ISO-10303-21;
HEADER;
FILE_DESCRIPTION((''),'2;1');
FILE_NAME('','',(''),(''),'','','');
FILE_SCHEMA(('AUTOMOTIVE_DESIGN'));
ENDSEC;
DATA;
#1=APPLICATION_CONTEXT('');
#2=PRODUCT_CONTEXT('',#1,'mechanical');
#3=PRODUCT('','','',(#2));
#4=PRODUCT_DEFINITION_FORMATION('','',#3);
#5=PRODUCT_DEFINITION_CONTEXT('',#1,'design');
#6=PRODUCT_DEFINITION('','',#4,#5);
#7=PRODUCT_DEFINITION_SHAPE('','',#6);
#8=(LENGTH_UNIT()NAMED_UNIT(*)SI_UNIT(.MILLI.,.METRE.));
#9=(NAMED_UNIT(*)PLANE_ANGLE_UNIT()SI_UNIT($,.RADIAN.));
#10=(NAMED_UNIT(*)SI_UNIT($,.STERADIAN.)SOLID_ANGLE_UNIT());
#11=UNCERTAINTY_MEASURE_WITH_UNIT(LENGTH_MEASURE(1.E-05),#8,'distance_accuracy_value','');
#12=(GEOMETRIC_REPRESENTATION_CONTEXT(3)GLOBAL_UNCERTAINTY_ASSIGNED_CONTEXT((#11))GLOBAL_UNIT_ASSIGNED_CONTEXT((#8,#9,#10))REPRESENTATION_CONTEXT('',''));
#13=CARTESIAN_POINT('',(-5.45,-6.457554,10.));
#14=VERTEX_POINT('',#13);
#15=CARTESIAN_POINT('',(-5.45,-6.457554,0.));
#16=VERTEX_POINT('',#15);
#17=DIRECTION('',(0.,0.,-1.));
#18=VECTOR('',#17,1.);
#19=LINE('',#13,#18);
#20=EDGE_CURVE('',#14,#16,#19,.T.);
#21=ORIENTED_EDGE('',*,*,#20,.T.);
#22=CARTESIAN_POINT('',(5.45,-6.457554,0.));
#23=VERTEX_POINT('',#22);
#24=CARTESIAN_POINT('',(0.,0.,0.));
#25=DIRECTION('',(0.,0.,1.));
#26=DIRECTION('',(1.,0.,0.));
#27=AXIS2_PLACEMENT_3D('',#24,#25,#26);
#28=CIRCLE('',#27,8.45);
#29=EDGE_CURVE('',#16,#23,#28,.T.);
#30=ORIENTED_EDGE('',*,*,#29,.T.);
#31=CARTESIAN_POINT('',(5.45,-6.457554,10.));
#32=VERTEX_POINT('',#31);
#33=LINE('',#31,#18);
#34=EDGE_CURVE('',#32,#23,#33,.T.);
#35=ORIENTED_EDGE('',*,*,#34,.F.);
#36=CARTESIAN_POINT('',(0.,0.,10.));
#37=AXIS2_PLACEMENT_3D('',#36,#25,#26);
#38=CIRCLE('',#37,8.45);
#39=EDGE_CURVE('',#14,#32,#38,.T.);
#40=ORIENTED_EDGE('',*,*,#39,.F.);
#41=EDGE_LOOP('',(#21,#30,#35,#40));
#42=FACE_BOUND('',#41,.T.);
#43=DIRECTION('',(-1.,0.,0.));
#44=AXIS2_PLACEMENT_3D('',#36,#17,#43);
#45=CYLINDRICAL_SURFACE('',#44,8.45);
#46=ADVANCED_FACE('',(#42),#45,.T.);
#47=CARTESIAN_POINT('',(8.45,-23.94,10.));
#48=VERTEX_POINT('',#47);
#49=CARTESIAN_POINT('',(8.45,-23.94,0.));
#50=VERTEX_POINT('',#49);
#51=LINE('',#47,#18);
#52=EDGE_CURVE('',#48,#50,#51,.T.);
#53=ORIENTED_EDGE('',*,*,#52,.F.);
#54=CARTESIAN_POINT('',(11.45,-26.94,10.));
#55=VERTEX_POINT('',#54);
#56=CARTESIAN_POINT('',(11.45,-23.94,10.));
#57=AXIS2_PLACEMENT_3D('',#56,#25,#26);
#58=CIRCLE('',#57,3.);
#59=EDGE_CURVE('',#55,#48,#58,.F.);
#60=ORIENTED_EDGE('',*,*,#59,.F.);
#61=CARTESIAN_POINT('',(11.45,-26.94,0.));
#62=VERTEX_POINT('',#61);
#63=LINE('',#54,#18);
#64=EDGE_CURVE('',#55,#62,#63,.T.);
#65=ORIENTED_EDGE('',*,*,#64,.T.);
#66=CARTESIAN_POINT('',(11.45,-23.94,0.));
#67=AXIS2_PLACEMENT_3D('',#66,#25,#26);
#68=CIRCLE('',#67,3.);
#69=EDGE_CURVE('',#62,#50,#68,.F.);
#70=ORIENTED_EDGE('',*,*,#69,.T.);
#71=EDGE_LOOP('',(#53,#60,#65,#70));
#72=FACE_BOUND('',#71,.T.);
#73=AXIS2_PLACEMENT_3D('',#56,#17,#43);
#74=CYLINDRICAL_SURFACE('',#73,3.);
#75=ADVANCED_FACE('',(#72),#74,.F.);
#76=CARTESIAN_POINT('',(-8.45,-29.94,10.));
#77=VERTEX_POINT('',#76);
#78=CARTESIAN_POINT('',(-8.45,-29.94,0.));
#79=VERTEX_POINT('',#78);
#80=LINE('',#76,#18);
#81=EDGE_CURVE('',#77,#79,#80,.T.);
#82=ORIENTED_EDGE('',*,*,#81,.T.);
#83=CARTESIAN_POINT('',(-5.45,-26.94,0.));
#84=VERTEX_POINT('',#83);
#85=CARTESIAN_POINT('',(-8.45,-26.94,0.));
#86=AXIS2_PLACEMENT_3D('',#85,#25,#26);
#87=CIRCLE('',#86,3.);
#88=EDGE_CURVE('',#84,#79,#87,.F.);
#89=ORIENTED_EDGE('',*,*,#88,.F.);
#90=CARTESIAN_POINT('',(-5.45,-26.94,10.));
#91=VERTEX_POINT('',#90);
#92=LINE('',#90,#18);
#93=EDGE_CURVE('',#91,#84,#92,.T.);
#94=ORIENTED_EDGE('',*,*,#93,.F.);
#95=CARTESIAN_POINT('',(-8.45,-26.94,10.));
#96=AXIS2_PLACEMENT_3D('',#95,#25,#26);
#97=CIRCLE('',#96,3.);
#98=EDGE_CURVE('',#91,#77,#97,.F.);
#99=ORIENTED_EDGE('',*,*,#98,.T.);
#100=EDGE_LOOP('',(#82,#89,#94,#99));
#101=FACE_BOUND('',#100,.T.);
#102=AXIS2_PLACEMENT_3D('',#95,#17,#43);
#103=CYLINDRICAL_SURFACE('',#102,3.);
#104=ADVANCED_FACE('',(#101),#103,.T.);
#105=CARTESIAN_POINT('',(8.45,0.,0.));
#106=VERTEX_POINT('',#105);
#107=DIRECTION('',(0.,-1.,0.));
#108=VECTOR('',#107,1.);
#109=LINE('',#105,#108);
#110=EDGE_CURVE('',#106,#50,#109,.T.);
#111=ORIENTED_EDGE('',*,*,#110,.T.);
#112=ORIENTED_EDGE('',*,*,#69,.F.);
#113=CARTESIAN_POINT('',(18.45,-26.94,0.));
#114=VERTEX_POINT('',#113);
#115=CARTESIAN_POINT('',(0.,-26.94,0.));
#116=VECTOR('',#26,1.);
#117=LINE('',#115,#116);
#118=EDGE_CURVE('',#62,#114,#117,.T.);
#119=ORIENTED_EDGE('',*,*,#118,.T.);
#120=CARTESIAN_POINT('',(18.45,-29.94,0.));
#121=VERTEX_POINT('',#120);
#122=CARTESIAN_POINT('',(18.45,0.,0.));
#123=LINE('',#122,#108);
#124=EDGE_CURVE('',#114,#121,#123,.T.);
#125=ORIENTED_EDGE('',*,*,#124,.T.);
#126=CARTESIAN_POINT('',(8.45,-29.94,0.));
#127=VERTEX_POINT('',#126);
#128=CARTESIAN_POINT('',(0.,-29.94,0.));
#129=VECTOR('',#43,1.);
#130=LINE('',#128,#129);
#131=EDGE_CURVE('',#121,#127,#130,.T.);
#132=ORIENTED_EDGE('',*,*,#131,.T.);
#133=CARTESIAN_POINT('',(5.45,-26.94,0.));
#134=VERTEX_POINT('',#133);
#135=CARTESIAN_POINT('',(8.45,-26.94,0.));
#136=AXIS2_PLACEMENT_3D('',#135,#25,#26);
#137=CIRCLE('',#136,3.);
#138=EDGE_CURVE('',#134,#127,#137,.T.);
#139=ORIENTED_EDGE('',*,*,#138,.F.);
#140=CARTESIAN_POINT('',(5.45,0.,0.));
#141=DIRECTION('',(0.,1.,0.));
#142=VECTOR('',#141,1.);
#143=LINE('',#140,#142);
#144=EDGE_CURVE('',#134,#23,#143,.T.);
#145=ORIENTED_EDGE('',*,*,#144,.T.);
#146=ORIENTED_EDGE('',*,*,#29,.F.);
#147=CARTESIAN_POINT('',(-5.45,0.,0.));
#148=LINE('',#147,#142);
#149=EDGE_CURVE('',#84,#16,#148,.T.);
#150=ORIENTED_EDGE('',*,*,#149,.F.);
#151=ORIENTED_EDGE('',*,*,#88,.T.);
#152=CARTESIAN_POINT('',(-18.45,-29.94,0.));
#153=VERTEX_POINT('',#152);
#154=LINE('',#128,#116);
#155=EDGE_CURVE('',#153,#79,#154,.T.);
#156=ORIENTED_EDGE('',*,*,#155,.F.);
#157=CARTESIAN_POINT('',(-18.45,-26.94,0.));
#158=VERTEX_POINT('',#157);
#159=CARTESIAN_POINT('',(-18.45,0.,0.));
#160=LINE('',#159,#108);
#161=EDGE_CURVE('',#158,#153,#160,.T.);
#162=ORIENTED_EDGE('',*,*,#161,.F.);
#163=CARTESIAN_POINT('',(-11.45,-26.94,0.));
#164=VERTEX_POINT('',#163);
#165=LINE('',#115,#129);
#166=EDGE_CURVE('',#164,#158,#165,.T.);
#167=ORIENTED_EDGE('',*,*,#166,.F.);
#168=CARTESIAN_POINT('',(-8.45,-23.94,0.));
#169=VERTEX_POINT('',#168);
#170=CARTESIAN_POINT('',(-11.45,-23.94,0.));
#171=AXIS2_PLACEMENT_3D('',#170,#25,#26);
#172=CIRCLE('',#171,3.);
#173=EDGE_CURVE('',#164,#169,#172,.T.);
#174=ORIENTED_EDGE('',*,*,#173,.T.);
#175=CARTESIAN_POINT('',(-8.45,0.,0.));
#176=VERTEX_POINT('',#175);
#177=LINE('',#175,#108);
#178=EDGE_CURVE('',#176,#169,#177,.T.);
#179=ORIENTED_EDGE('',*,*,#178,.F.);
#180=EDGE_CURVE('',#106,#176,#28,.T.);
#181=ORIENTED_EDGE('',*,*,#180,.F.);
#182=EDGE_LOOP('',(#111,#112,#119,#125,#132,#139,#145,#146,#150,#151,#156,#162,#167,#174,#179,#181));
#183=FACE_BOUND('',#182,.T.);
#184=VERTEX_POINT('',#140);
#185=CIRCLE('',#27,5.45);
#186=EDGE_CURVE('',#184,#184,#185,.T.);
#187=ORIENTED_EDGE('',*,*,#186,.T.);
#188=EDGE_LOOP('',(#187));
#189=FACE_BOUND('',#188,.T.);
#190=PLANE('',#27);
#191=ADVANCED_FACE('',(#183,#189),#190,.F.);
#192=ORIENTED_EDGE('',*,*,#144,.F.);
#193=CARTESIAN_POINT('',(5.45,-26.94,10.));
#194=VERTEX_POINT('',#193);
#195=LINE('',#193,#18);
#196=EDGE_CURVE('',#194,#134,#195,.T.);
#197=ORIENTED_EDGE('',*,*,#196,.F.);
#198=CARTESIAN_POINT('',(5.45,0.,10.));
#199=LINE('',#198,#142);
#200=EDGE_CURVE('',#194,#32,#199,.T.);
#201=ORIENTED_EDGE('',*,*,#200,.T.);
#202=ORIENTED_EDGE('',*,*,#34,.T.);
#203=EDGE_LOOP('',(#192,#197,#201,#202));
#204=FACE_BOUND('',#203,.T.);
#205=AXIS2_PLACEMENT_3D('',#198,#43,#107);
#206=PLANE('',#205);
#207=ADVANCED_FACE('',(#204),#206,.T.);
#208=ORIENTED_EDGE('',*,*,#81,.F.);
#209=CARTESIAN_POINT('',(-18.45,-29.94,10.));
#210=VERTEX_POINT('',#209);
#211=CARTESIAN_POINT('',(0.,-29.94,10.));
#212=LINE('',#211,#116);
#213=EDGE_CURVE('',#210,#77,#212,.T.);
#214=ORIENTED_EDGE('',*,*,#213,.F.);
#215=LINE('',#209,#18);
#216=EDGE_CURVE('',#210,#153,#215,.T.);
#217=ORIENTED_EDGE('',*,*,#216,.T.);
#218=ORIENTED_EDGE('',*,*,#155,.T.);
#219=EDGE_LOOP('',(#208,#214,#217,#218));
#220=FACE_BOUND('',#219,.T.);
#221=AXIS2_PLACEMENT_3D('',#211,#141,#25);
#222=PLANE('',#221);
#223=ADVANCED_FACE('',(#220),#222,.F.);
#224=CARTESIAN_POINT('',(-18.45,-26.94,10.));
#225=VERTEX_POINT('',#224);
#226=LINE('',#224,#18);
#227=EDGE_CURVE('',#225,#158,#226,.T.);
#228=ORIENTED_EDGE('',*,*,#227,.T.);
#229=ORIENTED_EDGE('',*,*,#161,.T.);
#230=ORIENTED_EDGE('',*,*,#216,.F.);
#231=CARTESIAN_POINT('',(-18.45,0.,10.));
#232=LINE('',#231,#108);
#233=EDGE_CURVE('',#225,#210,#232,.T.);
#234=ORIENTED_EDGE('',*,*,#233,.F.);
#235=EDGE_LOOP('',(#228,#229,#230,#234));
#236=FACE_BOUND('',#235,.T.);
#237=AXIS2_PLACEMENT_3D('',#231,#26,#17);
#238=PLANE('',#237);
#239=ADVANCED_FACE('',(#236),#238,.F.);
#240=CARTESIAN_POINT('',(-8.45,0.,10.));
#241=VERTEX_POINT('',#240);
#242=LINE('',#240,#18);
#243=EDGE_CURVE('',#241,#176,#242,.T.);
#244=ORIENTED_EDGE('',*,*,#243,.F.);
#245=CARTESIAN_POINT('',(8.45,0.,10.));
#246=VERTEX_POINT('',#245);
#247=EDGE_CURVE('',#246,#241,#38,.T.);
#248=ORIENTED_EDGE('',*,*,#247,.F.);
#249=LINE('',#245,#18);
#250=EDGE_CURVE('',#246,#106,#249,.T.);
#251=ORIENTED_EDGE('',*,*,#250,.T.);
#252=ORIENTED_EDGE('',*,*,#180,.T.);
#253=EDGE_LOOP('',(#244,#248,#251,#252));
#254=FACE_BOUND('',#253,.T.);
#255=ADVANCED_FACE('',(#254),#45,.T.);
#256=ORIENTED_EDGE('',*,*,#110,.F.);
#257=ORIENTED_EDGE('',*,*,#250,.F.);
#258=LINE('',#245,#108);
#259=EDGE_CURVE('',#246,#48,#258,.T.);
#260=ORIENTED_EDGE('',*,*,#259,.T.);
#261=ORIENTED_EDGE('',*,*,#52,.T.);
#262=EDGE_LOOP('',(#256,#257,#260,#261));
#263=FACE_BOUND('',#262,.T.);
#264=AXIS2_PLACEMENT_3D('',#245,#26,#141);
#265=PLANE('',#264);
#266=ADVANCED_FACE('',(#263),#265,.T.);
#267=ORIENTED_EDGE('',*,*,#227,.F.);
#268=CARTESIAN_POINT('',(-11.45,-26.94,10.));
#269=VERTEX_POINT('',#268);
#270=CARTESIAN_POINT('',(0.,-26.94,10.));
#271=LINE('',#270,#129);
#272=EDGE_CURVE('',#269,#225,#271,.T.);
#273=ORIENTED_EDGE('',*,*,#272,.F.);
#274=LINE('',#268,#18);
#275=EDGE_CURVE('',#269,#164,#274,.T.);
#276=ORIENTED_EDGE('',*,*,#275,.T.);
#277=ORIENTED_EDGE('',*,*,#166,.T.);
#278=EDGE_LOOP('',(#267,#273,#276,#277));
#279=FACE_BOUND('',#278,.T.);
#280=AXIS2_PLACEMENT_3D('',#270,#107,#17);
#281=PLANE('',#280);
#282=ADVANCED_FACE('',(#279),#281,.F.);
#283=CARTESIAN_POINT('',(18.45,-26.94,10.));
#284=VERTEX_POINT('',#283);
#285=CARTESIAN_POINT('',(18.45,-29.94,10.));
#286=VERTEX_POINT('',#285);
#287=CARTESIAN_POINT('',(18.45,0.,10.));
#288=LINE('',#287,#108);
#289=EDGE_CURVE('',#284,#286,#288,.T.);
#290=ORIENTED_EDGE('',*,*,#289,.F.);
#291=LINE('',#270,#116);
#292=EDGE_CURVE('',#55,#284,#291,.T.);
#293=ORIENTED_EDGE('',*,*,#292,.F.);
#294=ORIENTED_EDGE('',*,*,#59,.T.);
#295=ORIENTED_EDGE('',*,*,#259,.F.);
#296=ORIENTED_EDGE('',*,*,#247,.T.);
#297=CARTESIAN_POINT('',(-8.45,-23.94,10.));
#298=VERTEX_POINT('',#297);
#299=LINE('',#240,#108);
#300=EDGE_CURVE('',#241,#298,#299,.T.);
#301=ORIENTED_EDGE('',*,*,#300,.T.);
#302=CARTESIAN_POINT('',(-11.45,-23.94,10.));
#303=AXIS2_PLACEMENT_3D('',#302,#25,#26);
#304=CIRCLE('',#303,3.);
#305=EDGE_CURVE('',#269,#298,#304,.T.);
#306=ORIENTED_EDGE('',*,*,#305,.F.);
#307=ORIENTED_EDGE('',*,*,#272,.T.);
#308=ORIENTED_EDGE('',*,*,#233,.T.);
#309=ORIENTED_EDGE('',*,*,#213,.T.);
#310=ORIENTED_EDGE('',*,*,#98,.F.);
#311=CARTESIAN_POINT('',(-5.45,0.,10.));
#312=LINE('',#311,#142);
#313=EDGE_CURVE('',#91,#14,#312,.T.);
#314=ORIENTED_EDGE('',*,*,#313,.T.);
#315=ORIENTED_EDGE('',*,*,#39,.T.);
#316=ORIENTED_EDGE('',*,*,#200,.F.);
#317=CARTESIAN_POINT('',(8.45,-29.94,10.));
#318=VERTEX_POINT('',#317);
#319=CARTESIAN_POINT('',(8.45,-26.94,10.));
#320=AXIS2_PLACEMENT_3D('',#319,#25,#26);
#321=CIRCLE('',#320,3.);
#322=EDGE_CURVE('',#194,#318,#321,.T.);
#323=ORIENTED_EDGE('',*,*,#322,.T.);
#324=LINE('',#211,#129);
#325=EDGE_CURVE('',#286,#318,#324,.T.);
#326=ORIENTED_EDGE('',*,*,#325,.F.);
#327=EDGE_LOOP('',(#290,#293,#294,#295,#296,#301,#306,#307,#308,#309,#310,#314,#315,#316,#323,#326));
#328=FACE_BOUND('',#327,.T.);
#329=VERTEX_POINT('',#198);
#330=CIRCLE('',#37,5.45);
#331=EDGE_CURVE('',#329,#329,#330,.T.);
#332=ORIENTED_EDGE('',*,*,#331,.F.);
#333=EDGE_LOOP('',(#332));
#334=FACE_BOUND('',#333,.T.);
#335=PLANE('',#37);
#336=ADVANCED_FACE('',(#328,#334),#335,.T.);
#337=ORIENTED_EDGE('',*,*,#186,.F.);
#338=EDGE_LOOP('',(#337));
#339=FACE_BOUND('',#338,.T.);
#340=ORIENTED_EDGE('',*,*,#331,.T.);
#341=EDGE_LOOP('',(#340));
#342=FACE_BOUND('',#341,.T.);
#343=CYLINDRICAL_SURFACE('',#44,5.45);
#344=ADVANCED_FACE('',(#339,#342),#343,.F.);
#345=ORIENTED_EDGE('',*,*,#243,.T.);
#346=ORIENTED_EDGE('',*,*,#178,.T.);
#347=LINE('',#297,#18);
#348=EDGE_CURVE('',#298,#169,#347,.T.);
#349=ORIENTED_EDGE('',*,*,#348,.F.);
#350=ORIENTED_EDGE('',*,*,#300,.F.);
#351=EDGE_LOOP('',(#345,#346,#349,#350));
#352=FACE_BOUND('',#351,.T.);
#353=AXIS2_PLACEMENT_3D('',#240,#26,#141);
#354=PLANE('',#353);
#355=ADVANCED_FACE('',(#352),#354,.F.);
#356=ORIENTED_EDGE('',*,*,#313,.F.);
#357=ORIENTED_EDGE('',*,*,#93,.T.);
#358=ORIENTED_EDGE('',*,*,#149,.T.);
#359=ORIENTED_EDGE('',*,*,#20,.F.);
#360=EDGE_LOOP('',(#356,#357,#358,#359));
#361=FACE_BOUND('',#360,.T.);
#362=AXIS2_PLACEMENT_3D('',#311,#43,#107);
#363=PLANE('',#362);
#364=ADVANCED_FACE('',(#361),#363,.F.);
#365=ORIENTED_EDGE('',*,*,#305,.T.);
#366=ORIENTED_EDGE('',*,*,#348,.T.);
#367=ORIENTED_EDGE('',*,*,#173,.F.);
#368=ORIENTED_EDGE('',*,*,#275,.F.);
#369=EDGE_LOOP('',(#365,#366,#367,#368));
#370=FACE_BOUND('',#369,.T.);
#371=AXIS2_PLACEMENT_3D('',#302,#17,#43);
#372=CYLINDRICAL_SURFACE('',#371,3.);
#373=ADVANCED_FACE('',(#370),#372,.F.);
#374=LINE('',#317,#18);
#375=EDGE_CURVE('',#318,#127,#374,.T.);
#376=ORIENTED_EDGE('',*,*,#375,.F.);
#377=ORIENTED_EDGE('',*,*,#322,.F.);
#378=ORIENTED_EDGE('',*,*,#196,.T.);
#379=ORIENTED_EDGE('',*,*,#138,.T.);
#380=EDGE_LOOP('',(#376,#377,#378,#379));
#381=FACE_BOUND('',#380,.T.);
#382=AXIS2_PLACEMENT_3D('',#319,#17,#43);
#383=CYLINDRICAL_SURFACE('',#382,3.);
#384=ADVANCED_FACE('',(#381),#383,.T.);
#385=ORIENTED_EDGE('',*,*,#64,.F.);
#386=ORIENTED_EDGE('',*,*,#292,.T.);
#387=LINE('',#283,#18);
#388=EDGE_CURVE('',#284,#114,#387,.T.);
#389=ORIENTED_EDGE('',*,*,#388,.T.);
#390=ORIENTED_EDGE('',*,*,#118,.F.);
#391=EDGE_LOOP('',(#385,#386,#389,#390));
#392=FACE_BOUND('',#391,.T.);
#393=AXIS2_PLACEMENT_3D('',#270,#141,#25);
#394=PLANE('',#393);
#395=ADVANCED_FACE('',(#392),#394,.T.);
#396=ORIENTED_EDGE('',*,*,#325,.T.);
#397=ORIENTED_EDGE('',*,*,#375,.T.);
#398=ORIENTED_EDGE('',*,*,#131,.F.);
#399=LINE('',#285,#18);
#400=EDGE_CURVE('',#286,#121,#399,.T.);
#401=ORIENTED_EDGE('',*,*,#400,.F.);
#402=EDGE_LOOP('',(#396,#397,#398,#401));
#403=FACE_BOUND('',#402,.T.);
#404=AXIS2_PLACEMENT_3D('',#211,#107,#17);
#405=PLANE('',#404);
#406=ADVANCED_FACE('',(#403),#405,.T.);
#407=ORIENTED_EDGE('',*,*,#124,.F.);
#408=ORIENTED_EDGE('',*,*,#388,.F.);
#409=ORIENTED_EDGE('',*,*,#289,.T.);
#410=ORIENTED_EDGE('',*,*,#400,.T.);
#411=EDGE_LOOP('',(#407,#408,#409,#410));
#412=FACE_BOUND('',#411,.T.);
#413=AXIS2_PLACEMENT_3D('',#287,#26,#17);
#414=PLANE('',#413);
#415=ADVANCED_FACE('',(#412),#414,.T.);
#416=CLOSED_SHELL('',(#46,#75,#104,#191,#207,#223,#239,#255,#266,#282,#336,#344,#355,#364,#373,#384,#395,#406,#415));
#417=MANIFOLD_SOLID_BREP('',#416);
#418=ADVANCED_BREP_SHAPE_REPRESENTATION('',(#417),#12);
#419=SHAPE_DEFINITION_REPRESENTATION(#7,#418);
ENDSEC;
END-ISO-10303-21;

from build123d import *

# Parameters (mm, degrees)
SKETCH1_R           = 5.45
BOSS_EXTRUDE1_DEPTH = 10


with BuildPart() as part:
    # Sketch1 → Boss-Extrude1 (new body)
    with BuildSketch(Plane.XY):
        with BuildLine():
            Line((-5.45, -26.94), (-5.45, -6.457553716))
            ThreePointArc((-5.45, -6.457553716), (0, -8.45), (5.45, -6.457553716))
            Line((5.45, -6.457553716), (5.45, -26.94))
            ThreePointArc((5.45, -26.94), (6.328679656, -29.061320344), (8.45, -29.94))
            Line((8.45, -29.94), (18.45, -29.94))
            Line((18.45, -29.94), (18.45, -26.94))
            Line((18.45, -26.94), (11.45, -26.94))
            ThreePointArc((11.45, -26.94), (9.328679656, -26.061320344), (8.45, -23.94))
            Line((8.45, -23.94), (8.45, 0))
            ThreePointArc((8.45, 0), (0, 8.45), (-8.45, 0))
            Line((-8.45, 0), (-8.45, -23.94))
            ThreePointArc((-8.45, -23.94), (-9.328679656, -26.061320344), (-11.45, -26.94))
            Line((-11.45, -26.94), (-18.45, -26.94))
            Line((-18.45, -26.94), (-18.45, -29.94))
            Line((-18.45, -29.94), (-8.45, -29.94))
            ThreePointArc((-8.45, -29.94), (-6.328679656, -29.061320344), (-5.45, -26.94))
        make_face()
        Circle(SKETCH1_R, mode=Mode.SUBTRACT)
    extrude(amount=BOSS_EXTRUDE1_DEPTH)


solid = part.part
